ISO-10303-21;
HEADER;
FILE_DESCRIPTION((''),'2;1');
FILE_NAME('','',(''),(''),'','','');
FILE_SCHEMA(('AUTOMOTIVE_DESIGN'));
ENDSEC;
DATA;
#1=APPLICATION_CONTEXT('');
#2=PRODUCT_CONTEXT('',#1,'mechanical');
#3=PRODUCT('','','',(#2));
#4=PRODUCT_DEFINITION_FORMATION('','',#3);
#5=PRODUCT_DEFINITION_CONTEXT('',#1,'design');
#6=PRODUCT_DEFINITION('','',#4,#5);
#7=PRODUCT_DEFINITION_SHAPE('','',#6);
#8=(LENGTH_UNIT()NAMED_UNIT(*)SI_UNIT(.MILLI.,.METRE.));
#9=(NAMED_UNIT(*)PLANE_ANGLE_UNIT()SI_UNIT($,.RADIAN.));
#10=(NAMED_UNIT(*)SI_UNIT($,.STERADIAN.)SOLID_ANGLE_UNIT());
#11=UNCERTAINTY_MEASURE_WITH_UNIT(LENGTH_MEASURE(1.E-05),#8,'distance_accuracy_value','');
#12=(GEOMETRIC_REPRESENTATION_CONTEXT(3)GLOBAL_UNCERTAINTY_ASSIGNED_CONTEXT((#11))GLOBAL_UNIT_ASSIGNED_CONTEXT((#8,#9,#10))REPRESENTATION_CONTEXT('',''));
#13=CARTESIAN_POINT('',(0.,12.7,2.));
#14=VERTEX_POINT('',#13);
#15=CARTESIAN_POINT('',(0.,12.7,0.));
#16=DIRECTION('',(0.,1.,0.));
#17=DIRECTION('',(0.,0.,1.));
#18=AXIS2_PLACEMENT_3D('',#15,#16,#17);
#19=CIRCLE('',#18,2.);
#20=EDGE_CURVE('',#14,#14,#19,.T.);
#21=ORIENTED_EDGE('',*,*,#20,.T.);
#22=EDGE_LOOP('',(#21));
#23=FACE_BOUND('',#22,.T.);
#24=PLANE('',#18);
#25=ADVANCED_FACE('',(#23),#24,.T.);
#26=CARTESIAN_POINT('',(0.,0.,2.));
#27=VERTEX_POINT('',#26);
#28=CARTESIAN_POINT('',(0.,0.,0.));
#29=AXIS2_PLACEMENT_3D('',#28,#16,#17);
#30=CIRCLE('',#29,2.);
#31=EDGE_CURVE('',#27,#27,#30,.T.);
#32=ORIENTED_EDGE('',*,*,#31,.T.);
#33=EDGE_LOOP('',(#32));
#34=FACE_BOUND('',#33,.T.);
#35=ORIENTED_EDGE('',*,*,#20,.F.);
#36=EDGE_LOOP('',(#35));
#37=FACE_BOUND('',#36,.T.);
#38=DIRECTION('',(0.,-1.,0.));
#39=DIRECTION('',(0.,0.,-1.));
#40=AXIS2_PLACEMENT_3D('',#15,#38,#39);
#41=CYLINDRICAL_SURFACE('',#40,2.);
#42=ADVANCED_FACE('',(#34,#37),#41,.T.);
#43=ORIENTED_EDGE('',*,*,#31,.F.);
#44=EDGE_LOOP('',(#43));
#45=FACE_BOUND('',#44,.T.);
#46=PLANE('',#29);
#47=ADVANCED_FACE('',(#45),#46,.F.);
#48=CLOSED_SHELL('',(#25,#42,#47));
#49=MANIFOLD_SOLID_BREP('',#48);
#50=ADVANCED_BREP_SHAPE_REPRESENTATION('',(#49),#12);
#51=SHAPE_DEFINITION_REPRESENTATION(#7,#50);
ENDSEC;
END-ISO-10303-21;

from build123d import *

# Parameters (mm, degrees)
SKETCH1_R           = 2
BOSS_EXTRUDE1_DEPTH = 12.7


with BuildPart() as part:
    # Sketch1 → Boss-Extrude1 (new body)
    with BuildSketch(Plane(origin=(0, 0, 0), x_dir=(1, 0, 0), z_dir=(0, 1, 0))):
        Circle(SKETCH1_R)
    extrude(amount=BOSS_EXTRUDE1_DEPTH)


solid = part.part
